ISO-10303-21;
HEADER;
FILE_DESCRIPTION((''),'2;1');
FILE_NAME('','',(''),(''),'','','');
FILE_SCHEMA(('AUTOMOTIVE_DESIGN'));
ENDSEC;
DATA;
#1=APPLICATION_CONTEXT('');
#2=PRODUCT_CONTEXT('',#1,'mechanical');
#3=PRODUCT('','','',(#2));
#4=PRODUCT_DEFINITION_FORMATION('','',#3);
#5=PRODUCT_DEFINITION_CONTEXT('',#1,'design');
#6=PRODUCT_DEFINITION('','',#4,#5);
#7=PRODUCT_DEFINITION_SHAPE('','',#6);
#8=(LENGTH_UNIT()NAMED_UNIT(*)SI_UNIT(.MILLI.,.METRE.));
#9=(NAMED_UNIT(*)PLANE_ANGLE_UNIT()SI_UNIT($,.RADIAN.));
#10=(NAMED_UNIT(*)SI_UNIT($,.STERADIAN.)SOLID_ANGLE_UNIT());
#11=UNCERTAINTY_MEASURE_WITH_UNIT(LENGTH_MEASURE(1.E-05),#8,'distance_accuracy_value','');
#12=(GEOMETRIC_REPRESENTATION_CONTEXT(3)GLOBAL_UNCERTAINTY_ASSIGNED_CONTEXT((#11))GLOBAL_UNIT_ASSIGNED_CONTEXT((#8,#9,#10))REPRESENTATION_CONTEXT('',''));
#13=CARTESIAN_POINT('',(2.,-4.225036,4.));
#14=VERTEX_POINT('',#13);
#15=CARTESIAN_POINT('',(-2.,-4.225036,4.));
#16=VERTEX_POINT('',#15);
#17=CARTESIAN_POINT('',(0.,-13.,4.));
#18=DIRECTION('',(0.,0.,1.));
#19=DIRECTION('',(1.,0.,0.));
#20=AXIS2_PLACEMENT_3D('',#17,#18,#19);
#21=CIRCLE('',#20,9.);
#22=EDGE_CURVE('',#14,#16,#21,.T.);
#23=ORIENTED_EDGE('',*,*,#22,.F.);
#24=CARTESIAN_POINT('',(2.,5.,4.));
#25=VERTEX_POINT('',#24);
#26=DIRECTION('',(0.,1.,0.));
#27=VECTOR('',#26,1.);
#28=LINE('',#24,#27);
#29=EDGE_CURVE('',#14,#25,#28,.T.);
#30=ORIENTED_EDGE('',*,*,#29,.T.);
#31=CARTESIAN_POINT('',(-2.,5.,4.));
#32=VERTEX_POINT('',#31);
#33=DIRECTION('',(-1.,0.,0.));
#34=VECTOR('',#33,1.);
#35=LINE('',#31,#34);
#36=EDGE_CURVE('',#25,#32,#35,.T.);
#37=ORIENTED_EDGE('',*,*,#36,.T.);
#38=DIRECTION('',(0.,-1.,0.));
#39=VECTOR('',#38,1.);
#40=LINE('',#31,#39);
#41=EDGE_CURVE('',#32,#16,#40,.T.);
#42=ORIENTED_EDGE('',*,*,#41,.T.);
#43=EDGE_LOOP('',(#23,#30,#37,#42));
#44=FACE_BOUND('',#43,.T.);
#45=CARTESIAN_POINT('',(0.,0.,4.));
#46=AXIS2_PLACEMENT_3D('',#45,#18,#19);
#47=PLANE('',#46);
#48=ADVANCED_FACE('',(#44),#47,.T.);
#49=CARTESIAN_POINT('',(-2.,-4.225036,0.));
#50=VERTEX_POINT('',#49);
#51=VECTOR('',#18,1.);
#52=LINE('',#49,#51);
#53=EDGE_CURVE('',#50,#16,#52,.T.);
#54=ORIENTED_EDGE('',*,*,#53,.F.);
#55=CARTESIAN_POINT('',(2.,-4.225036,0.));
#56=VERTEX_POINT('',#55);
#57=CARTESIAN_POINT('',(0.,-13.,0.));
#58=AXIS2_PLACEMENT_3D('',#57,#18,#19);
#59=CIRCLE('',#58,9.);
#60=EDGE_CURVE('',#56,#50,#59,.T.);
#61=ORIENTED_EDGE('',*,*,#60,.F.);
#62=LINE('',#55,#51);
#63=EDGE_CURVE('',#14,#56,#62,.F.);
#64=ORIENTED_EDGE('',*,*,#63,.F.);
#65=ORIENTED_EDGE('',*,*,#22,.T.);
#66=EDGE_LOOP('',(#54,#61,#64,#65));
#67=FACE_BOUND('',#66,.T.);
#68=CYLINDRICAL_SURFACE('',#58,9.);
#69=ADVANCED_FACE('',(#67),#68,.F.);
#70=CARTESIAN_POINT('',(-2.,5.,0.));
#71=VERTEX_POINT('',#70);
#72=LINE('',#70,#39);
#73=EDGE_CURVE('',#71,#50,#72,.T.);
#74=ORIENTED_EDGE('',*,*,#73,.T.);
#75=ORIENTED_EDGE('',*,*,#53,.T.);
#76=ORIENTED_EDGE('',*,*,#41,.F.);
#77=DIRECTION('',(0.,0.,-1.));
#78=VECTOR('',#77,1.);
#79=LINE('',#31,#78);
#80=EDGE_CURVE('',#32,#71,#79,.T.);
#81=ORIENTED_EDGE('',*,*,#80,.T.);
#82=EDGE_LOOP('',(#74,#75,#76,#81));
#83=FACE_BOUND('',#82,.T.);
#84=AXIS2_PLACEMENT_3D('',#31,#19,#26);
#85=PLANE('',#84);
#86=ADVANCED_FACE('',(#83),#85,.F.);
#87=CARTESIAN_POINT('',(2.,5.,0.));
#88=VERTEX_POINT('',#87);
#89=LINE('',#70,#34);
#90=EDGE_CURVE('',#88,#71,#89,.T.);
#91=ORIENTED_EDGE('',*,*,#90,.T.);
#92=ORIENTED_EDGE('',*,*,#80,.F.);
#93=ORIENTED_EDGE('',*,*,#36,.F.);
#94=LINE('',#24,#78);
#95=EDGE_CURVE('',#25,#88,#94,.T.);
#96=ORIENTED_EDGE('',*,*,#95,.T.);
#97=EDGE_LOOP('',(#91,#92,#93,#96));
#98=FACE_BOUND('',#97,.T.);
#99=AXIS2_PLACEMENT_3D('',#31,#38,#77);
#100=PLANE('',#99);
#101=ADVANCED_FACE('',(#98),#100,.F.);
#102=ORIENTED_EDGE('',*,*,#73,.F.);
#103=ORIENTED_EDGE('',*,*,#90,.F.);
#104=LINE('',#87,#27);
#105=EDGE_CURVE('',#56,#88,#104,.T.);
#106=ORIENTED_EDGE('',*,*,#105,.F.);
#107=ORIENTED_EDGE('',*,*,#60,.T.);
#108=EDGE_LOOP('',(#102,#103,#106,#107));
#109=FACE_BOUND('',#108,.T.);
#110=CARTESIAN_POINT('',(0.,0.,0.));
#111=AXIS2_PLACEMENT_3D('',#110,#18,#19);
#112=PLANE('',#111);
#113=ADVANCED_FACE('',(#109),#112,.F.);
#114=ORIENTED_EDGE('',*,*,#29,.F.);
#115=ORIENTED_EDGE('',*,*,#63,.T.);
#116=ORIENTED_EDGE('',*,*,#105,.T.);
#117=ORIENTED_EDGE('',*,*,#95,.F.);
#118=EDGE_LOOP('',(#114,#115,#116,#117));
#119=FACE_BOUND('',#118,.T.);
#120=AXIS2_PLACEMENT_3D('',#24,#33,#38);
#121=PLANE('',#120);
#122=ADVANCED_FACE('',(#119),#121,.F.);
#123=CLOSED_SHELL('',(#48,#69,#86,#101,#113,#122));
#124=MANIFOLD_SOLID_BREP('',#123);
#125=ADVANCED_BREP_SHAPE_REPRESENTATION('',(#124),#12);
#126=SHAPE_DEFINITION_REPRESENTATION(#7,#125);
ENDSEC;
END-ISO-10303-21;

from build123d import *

# Parameters (mm, degrees)
SKIZZE1_W                       = 4
SKIZZE1_H                       = 10
AUFSATZ_LINEAR_AUSTRAGEN1_DEPTH = 4
SKIZZE2_R                       = 9
SCHNITT_LINEAR_AUSTRAGEN1_DEPTH = 4


with BuildPart() as part:
    # Skizze1 → Aufsatz-Linear austragen1 (new body)
    with BuildSketch(Plane.XY):
        Rectangle(SKIZZE1_W, SKIZZE1_H)
    extrude(amount=AUFSATZ_LINEAR_AUSTRAGEN1_DEPTH)

    # Skizze2 → Schnitt-Linear austragen1 (cut)
    with BuildSketch(Plane.XY.offset(4)):
        with Locations((0, -13)):
            Circle(SKIZZE2_R)
    extrude(amount=-SCHNITT_LINEAR_AUSTRAGEN1_DEPTH, mode=Mode.SUBTRACT)


solid = part.part
